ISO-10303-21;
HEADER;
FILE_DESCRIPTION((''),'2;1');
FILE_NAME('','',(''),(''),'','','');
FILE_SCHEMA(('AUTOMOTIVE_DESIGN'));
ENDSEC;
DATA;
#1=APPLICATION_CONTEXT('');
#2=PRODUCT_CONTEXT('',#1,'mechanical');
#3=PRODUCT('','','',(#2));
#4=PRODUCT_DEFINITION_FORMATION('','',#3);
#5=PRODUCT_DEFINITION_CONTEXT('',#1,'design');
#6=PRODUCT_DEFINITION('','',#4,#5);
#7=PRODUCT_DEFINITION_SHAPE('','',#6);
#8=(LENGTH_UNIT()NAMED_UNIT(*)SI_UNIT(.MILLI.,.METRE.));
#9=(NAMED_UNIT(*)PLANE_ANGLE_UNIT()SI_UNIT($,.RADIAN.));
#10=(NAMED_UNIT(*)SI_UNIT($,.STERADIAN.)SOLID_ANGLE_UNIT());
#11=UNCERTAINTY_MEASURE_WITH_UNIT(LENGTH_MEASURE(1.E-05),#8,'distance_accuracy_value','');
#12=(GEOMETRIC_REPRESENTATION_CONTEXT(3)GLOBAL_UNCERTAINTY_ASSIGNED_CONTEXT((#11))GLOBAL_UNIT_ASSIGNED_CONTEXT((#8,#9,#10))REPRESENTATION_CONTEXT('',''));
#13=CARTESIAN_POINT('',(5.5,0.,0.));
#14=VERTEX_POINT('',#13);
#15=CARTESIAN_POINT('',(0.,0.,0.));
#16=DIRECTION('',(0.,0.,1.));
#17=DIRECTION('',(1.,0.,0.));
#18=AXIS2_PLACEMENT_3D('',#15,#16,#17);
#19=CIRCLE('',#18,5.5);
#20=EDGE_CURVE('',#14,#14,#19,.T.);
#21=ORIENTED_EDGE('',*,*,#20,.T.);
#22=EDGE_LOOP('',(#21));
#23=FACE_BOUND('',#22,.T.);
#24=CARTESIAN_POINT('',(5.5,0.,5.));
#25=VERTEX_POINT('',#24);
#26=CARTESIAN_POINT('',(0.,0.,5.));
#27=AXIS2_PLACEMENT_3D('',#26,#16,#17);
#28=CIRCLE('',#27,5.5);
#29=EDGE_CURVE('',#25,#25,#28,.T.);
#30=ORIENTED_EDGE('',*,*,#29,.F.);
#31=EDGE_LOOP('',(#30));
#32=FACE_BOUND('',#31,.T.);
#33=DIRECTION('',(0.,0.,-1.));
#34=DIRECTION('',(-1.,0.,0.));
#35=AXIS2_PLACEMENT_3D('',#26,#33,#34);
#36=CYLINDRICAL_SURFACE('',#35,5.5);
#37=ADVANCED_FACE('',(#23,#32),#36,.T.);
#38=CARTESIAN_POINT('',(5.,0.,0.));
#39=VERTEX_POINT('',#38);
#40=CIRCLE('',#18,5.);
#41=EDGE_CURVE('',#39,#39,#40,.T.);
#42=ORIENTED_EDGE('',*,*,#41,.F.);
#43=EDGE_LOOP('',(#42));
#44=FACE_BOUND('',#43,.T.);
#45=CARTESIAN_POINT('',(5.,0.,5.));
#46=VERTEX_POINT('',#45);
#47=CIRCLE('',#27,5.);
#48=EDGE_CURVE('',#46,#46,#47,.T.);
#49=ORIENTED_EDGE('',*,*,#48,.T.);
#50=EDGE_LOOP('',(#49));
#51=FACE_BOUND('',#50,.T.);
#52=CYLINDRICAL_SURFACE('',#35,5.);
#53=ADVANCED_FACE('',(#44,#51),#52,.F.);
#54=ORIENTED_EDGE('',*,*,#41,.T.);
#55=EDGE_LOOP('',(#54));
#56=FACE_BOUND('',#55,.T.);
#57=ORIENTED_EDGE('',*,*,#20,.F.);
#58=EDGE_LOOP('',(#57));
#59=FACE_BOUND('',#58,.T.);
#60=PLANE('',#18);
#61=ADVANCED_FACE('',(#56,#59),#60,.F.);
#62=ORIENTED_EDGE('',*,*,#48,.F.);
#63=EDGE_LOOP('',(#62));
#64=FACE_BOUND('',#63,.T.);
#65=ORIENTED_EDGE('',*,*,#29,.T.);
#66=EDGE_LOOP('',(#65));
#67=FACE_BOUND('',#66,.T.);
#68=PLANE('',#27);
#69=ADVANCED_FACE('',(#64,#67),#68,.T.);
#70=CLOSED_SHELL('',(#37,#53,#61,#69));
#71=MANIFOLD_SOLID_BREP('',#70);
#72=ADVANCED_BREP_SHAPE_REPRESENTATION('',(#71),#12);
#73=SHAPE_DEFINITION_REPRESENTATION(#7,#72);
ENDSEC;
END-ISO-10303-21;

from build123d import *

# Parameters (mm, degrees)
SKETCH1_R           = 5.5
SKETCH1_R_2         = 5
BOSS_EXTRUDE1_DEPTH = 5


with BuildPart() as part:
    # Sketch1 → Boss-Extrude1 (new body)
    with BuildSketch(Plane.XY):
        Circle(SKETCH1_R)
        Circle(SKETCH1_R_2, mode=Mode.SUBTRACT)
    extrude(amount=BOSS_EXTRUDE1_DEPTH)


solid = part.part
